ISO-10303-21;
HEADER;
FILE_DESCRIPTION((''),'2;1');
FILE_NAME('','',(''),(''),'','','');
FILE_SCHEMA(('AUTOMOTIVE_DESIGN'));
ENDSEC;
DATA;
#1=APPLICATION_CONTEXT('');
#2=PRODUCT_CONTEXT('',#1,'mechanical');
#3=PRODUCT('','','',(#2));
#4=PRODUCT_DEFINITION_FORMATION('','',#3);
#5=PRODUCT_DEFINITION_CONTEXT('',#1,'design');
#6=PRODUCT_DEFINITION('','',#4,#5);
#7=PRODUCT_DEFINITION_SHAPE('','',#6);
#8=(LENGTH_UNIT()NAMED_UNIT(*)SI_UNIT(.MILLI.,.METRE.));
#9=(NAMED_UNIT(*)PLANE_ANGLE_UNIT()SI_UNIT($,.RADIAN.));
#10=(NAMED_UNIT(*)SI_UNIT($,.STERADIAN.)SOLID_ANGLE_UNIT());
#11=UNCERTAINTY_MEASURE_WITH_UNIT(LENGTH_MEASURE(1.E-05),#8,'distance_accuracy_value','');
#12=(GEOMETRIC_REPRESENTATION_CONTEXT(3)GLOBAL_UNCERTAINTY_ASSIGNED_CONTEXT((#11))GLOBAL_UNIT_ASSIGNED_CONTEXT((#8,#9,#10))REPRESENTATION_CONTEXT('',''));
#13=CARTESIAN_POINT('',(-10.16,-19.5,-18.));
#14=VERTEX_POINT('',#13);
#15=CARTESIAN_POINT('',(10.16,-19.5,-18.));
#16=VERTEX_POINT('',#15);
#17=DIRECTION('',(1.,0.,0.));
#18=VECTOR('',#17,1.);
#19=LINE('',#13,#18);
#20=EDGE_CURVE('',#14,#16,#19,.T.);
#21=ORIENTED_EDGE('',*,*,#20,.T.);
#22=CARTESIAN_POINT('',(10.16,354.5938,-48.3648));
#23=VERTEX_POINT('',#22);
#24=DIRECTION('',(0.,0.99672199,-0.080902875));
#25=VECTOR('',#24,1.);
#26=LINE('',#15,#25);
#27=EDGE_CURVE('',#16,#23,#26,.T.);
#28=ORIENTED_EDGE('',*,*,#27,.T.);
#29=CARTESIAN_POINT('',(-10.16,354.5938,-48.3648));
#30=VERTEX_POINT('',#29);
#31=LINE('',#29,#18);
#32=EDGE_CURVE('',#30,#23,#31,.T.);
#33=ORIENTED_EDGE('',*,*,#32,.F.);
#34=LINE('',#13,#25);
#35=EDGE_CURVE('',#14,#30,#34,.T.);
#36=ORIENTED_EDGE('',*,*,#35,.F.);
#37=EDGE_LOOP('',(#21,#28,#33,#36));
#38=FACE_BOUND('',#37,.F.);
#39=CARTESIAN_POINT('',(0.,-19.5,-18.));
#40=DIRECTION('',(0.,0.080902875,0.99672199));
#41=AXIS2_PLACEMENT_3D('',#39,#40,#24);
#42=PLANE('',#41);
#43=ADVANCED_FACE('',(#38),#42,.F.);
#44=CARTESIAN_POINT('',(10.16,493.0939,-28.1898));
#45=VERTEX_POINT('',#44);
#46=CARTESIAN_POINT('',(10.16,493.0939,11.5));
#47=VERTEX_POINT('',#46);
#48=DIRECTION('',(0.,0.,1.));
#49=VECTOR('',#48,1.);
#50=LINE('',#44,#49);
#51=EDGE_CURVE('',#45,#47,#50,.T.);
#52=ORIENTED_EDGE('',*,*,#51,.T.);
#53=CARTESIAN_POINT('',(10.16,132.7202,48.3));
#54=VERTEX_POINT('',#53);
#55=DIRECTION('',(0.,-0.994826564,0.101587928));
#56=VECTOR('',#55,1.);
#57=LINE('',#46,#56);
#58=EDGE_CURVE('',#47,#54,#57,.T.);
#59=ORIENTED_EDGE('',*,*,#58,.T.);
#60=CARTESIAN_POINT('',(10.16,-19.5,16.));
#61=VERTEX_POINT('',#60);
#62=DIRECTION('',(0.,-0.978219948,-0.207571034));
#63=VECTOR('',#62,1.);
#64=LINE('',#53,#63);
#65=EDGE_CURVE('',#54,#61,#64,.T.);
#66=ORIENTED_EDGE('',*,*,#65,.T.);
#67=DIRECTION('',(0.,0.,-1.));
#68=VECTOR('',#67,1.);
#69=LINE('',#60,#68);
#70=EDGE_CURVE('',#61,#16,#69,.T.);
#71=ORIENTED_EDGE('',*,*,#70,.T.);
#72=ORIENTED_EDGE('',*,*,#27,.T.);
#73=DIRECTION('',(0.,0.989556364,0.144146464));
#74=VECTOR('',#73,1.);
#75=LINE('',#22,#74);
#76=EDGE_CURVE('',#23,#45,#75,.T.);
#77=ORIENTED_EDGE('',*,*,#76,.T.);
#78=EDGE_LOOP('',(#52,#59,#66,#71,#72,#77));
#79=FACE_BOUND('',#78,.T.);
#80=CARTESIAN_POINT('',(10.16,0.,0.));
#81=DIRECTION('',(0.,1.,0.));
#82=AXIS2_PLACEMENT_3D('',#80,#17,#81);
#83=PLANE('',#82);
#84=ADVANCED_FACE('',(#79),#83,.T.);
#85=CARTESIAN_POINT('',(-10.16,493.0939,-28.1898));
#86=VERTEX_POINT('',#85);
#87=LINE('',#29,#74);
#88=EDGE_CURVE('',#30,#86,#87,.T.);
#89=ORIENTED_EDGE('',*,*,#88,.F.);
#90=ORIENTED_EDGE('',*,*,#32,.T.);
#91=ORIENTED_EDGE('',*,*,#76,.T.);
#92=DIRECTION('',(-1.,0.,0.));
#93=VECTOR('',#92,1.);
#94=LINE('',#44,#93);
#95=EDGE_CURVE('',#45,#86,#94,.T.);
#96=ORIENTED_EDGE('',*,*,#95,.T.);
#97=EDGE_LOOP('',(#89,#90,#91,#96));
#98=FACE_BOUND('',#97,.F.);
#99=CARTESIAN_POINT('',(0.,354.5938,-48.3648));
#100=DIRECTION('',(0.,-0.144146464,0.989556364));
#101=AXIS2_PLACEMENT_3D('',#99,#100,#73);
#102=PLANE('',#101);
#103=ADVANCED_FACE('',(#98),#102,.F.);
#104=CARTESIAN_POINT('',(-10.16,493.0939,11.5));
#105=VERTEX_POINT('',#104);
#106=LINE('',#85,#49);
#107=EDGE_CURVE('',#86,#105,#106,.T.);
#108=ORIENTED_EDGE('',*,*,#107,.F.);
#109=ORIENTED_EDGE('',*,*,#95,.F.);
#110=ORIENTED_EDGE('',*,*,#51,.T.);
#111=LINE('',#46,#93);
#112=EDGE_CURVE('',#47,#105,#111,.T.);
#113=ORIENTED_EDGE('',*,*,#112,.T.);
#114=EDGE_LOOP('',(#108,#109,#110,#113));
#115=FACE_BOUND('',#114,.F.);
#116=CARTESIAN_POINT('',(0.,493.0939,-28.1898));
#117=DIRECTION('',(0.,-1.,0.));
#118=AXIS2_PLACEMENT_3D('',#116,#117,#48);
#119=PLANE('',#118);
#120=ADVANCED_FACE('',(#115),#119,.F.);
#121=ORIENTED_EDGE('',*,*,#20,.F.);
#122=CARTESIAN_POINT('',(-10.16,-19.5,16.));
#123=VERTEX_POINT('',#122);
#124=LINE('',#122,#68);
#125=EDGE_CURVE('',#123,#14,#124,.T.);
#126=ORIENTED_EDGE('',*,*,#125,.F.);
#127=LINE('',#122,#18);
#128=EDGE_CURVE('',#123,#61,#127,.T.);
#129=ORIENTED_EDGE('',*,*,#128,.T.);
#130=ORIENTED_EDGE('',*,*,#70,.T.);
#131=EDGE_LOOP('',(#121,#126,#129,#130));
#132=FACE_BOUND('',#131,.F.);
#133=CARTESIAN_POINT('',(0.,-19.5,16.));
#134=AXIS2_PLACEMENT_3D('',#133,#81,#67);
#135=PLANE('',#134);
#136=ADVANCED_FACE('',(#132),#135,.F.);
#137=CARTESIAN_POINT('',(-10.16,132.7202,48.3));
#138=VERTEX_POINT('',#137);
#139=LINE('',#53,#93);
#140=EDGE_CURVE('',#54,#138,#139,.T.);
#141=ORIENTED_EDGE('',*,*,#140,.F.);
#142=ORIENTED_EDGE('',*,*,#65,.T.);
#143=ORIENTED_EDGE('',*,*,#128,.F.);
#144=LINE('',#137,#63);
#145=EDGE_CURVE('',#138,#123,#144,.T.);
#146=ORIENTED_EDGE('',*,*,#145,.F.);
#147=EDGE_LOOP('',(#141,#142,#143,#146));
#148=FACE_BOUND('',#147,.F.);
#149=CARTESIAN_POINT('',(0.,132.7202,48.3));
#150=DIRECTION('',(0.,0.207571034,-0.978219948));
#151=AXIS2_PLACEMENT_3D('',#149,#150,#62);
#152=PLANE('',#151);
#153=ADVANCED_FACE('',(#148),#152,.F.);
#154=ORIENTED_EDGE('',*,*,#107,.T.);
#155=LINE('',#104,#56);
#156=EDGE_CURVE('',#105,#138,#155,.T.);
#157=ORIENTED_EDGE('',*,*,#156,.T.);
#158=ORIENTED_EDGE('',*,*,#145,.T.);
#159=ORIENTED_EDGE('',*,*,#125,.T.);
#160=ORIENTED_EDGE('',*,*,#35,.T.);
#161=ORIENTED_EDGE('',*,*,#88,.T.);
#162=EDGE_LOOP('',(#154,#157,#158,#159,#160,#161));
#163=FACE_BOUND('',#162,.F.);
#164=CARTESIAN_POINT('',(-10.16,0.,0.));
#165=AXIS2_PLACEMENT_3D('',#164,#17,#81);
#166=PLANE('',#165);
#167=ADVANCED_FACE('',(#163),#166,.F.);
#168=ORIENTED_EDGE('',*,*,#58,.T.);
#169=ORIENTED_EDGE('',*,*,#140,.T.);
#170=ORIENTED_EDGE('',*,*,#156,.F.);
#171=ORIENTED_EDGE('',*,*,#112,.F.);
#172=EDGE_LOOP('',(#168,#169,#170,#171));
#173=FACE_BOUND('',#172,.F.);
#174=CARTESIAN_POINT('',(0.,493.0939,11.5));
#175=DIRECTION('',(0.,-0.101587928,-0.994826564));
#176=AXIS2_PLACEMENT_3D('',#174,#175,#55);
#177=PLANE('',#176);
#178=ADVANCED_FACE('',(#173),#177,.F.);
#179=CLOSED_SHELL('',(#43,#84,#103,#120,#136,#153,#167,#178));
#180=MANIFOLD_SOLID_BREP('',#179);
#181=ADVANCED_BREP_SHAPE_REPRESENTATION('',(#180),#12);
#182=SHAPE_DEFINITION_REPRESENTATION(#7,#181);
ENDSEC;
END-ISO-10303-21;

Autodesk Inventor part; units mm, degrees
ref_plane "XZ Plane" through (0, 0, 0) normal (0, 1, 0) x (-1, 0, 0)
sketch "BoundingBox" plane through (0, 0, 0) normal (1, 0, 0) x (0, 1, 0)
  line L0 (-19.5, 16) -> (-19.5, -18)
  line L1 (-19.5, -18) -> (354.5938, -48.3648)
  line L2 (354.5938, -48.3648) -> (493.0939, -28.1898)
  line L3 (493.0939, -28.1898) -> (493.0939, 11.5)
  line L4 (493.0939, 11.5) -> (132.7202, 48.3)
  line L5 (132.7202, 48.3) -> (-19.5, 16)
  circle A0 centre (354.5938, -31.3648) radius 3.175 construction
  line L6 (354.5938, -48.3648) -> (354.5938, -31.3648) construction
  point P0 (0, 0)
  point P1 (0, 0)
  point P2 (480.5939, 0)
  point P3 (0, 0)
  point P4 (480.5939, 0)
  point P5 (60.5718, 4.3926)
  point P6 (60.5718, 4.3926)
  dimension "d0" = 19.5
  dimension "d1" = 101.98
  dimension "d2" = 18
  dimension "d3" = 16
  dimension "d4" = 12.5
  dimension "d5" = 11.5
  dimension "d6" = 48.3
  dimension "d7" = 39.6898
  dimension "d8" = 17
  dimension "d11" = 480.5939
extrude "BoundingBoxFeature" add sketch "BoundingBox" along normal mid plane 20.32
properties part number "ForearmBoundingBOx"
